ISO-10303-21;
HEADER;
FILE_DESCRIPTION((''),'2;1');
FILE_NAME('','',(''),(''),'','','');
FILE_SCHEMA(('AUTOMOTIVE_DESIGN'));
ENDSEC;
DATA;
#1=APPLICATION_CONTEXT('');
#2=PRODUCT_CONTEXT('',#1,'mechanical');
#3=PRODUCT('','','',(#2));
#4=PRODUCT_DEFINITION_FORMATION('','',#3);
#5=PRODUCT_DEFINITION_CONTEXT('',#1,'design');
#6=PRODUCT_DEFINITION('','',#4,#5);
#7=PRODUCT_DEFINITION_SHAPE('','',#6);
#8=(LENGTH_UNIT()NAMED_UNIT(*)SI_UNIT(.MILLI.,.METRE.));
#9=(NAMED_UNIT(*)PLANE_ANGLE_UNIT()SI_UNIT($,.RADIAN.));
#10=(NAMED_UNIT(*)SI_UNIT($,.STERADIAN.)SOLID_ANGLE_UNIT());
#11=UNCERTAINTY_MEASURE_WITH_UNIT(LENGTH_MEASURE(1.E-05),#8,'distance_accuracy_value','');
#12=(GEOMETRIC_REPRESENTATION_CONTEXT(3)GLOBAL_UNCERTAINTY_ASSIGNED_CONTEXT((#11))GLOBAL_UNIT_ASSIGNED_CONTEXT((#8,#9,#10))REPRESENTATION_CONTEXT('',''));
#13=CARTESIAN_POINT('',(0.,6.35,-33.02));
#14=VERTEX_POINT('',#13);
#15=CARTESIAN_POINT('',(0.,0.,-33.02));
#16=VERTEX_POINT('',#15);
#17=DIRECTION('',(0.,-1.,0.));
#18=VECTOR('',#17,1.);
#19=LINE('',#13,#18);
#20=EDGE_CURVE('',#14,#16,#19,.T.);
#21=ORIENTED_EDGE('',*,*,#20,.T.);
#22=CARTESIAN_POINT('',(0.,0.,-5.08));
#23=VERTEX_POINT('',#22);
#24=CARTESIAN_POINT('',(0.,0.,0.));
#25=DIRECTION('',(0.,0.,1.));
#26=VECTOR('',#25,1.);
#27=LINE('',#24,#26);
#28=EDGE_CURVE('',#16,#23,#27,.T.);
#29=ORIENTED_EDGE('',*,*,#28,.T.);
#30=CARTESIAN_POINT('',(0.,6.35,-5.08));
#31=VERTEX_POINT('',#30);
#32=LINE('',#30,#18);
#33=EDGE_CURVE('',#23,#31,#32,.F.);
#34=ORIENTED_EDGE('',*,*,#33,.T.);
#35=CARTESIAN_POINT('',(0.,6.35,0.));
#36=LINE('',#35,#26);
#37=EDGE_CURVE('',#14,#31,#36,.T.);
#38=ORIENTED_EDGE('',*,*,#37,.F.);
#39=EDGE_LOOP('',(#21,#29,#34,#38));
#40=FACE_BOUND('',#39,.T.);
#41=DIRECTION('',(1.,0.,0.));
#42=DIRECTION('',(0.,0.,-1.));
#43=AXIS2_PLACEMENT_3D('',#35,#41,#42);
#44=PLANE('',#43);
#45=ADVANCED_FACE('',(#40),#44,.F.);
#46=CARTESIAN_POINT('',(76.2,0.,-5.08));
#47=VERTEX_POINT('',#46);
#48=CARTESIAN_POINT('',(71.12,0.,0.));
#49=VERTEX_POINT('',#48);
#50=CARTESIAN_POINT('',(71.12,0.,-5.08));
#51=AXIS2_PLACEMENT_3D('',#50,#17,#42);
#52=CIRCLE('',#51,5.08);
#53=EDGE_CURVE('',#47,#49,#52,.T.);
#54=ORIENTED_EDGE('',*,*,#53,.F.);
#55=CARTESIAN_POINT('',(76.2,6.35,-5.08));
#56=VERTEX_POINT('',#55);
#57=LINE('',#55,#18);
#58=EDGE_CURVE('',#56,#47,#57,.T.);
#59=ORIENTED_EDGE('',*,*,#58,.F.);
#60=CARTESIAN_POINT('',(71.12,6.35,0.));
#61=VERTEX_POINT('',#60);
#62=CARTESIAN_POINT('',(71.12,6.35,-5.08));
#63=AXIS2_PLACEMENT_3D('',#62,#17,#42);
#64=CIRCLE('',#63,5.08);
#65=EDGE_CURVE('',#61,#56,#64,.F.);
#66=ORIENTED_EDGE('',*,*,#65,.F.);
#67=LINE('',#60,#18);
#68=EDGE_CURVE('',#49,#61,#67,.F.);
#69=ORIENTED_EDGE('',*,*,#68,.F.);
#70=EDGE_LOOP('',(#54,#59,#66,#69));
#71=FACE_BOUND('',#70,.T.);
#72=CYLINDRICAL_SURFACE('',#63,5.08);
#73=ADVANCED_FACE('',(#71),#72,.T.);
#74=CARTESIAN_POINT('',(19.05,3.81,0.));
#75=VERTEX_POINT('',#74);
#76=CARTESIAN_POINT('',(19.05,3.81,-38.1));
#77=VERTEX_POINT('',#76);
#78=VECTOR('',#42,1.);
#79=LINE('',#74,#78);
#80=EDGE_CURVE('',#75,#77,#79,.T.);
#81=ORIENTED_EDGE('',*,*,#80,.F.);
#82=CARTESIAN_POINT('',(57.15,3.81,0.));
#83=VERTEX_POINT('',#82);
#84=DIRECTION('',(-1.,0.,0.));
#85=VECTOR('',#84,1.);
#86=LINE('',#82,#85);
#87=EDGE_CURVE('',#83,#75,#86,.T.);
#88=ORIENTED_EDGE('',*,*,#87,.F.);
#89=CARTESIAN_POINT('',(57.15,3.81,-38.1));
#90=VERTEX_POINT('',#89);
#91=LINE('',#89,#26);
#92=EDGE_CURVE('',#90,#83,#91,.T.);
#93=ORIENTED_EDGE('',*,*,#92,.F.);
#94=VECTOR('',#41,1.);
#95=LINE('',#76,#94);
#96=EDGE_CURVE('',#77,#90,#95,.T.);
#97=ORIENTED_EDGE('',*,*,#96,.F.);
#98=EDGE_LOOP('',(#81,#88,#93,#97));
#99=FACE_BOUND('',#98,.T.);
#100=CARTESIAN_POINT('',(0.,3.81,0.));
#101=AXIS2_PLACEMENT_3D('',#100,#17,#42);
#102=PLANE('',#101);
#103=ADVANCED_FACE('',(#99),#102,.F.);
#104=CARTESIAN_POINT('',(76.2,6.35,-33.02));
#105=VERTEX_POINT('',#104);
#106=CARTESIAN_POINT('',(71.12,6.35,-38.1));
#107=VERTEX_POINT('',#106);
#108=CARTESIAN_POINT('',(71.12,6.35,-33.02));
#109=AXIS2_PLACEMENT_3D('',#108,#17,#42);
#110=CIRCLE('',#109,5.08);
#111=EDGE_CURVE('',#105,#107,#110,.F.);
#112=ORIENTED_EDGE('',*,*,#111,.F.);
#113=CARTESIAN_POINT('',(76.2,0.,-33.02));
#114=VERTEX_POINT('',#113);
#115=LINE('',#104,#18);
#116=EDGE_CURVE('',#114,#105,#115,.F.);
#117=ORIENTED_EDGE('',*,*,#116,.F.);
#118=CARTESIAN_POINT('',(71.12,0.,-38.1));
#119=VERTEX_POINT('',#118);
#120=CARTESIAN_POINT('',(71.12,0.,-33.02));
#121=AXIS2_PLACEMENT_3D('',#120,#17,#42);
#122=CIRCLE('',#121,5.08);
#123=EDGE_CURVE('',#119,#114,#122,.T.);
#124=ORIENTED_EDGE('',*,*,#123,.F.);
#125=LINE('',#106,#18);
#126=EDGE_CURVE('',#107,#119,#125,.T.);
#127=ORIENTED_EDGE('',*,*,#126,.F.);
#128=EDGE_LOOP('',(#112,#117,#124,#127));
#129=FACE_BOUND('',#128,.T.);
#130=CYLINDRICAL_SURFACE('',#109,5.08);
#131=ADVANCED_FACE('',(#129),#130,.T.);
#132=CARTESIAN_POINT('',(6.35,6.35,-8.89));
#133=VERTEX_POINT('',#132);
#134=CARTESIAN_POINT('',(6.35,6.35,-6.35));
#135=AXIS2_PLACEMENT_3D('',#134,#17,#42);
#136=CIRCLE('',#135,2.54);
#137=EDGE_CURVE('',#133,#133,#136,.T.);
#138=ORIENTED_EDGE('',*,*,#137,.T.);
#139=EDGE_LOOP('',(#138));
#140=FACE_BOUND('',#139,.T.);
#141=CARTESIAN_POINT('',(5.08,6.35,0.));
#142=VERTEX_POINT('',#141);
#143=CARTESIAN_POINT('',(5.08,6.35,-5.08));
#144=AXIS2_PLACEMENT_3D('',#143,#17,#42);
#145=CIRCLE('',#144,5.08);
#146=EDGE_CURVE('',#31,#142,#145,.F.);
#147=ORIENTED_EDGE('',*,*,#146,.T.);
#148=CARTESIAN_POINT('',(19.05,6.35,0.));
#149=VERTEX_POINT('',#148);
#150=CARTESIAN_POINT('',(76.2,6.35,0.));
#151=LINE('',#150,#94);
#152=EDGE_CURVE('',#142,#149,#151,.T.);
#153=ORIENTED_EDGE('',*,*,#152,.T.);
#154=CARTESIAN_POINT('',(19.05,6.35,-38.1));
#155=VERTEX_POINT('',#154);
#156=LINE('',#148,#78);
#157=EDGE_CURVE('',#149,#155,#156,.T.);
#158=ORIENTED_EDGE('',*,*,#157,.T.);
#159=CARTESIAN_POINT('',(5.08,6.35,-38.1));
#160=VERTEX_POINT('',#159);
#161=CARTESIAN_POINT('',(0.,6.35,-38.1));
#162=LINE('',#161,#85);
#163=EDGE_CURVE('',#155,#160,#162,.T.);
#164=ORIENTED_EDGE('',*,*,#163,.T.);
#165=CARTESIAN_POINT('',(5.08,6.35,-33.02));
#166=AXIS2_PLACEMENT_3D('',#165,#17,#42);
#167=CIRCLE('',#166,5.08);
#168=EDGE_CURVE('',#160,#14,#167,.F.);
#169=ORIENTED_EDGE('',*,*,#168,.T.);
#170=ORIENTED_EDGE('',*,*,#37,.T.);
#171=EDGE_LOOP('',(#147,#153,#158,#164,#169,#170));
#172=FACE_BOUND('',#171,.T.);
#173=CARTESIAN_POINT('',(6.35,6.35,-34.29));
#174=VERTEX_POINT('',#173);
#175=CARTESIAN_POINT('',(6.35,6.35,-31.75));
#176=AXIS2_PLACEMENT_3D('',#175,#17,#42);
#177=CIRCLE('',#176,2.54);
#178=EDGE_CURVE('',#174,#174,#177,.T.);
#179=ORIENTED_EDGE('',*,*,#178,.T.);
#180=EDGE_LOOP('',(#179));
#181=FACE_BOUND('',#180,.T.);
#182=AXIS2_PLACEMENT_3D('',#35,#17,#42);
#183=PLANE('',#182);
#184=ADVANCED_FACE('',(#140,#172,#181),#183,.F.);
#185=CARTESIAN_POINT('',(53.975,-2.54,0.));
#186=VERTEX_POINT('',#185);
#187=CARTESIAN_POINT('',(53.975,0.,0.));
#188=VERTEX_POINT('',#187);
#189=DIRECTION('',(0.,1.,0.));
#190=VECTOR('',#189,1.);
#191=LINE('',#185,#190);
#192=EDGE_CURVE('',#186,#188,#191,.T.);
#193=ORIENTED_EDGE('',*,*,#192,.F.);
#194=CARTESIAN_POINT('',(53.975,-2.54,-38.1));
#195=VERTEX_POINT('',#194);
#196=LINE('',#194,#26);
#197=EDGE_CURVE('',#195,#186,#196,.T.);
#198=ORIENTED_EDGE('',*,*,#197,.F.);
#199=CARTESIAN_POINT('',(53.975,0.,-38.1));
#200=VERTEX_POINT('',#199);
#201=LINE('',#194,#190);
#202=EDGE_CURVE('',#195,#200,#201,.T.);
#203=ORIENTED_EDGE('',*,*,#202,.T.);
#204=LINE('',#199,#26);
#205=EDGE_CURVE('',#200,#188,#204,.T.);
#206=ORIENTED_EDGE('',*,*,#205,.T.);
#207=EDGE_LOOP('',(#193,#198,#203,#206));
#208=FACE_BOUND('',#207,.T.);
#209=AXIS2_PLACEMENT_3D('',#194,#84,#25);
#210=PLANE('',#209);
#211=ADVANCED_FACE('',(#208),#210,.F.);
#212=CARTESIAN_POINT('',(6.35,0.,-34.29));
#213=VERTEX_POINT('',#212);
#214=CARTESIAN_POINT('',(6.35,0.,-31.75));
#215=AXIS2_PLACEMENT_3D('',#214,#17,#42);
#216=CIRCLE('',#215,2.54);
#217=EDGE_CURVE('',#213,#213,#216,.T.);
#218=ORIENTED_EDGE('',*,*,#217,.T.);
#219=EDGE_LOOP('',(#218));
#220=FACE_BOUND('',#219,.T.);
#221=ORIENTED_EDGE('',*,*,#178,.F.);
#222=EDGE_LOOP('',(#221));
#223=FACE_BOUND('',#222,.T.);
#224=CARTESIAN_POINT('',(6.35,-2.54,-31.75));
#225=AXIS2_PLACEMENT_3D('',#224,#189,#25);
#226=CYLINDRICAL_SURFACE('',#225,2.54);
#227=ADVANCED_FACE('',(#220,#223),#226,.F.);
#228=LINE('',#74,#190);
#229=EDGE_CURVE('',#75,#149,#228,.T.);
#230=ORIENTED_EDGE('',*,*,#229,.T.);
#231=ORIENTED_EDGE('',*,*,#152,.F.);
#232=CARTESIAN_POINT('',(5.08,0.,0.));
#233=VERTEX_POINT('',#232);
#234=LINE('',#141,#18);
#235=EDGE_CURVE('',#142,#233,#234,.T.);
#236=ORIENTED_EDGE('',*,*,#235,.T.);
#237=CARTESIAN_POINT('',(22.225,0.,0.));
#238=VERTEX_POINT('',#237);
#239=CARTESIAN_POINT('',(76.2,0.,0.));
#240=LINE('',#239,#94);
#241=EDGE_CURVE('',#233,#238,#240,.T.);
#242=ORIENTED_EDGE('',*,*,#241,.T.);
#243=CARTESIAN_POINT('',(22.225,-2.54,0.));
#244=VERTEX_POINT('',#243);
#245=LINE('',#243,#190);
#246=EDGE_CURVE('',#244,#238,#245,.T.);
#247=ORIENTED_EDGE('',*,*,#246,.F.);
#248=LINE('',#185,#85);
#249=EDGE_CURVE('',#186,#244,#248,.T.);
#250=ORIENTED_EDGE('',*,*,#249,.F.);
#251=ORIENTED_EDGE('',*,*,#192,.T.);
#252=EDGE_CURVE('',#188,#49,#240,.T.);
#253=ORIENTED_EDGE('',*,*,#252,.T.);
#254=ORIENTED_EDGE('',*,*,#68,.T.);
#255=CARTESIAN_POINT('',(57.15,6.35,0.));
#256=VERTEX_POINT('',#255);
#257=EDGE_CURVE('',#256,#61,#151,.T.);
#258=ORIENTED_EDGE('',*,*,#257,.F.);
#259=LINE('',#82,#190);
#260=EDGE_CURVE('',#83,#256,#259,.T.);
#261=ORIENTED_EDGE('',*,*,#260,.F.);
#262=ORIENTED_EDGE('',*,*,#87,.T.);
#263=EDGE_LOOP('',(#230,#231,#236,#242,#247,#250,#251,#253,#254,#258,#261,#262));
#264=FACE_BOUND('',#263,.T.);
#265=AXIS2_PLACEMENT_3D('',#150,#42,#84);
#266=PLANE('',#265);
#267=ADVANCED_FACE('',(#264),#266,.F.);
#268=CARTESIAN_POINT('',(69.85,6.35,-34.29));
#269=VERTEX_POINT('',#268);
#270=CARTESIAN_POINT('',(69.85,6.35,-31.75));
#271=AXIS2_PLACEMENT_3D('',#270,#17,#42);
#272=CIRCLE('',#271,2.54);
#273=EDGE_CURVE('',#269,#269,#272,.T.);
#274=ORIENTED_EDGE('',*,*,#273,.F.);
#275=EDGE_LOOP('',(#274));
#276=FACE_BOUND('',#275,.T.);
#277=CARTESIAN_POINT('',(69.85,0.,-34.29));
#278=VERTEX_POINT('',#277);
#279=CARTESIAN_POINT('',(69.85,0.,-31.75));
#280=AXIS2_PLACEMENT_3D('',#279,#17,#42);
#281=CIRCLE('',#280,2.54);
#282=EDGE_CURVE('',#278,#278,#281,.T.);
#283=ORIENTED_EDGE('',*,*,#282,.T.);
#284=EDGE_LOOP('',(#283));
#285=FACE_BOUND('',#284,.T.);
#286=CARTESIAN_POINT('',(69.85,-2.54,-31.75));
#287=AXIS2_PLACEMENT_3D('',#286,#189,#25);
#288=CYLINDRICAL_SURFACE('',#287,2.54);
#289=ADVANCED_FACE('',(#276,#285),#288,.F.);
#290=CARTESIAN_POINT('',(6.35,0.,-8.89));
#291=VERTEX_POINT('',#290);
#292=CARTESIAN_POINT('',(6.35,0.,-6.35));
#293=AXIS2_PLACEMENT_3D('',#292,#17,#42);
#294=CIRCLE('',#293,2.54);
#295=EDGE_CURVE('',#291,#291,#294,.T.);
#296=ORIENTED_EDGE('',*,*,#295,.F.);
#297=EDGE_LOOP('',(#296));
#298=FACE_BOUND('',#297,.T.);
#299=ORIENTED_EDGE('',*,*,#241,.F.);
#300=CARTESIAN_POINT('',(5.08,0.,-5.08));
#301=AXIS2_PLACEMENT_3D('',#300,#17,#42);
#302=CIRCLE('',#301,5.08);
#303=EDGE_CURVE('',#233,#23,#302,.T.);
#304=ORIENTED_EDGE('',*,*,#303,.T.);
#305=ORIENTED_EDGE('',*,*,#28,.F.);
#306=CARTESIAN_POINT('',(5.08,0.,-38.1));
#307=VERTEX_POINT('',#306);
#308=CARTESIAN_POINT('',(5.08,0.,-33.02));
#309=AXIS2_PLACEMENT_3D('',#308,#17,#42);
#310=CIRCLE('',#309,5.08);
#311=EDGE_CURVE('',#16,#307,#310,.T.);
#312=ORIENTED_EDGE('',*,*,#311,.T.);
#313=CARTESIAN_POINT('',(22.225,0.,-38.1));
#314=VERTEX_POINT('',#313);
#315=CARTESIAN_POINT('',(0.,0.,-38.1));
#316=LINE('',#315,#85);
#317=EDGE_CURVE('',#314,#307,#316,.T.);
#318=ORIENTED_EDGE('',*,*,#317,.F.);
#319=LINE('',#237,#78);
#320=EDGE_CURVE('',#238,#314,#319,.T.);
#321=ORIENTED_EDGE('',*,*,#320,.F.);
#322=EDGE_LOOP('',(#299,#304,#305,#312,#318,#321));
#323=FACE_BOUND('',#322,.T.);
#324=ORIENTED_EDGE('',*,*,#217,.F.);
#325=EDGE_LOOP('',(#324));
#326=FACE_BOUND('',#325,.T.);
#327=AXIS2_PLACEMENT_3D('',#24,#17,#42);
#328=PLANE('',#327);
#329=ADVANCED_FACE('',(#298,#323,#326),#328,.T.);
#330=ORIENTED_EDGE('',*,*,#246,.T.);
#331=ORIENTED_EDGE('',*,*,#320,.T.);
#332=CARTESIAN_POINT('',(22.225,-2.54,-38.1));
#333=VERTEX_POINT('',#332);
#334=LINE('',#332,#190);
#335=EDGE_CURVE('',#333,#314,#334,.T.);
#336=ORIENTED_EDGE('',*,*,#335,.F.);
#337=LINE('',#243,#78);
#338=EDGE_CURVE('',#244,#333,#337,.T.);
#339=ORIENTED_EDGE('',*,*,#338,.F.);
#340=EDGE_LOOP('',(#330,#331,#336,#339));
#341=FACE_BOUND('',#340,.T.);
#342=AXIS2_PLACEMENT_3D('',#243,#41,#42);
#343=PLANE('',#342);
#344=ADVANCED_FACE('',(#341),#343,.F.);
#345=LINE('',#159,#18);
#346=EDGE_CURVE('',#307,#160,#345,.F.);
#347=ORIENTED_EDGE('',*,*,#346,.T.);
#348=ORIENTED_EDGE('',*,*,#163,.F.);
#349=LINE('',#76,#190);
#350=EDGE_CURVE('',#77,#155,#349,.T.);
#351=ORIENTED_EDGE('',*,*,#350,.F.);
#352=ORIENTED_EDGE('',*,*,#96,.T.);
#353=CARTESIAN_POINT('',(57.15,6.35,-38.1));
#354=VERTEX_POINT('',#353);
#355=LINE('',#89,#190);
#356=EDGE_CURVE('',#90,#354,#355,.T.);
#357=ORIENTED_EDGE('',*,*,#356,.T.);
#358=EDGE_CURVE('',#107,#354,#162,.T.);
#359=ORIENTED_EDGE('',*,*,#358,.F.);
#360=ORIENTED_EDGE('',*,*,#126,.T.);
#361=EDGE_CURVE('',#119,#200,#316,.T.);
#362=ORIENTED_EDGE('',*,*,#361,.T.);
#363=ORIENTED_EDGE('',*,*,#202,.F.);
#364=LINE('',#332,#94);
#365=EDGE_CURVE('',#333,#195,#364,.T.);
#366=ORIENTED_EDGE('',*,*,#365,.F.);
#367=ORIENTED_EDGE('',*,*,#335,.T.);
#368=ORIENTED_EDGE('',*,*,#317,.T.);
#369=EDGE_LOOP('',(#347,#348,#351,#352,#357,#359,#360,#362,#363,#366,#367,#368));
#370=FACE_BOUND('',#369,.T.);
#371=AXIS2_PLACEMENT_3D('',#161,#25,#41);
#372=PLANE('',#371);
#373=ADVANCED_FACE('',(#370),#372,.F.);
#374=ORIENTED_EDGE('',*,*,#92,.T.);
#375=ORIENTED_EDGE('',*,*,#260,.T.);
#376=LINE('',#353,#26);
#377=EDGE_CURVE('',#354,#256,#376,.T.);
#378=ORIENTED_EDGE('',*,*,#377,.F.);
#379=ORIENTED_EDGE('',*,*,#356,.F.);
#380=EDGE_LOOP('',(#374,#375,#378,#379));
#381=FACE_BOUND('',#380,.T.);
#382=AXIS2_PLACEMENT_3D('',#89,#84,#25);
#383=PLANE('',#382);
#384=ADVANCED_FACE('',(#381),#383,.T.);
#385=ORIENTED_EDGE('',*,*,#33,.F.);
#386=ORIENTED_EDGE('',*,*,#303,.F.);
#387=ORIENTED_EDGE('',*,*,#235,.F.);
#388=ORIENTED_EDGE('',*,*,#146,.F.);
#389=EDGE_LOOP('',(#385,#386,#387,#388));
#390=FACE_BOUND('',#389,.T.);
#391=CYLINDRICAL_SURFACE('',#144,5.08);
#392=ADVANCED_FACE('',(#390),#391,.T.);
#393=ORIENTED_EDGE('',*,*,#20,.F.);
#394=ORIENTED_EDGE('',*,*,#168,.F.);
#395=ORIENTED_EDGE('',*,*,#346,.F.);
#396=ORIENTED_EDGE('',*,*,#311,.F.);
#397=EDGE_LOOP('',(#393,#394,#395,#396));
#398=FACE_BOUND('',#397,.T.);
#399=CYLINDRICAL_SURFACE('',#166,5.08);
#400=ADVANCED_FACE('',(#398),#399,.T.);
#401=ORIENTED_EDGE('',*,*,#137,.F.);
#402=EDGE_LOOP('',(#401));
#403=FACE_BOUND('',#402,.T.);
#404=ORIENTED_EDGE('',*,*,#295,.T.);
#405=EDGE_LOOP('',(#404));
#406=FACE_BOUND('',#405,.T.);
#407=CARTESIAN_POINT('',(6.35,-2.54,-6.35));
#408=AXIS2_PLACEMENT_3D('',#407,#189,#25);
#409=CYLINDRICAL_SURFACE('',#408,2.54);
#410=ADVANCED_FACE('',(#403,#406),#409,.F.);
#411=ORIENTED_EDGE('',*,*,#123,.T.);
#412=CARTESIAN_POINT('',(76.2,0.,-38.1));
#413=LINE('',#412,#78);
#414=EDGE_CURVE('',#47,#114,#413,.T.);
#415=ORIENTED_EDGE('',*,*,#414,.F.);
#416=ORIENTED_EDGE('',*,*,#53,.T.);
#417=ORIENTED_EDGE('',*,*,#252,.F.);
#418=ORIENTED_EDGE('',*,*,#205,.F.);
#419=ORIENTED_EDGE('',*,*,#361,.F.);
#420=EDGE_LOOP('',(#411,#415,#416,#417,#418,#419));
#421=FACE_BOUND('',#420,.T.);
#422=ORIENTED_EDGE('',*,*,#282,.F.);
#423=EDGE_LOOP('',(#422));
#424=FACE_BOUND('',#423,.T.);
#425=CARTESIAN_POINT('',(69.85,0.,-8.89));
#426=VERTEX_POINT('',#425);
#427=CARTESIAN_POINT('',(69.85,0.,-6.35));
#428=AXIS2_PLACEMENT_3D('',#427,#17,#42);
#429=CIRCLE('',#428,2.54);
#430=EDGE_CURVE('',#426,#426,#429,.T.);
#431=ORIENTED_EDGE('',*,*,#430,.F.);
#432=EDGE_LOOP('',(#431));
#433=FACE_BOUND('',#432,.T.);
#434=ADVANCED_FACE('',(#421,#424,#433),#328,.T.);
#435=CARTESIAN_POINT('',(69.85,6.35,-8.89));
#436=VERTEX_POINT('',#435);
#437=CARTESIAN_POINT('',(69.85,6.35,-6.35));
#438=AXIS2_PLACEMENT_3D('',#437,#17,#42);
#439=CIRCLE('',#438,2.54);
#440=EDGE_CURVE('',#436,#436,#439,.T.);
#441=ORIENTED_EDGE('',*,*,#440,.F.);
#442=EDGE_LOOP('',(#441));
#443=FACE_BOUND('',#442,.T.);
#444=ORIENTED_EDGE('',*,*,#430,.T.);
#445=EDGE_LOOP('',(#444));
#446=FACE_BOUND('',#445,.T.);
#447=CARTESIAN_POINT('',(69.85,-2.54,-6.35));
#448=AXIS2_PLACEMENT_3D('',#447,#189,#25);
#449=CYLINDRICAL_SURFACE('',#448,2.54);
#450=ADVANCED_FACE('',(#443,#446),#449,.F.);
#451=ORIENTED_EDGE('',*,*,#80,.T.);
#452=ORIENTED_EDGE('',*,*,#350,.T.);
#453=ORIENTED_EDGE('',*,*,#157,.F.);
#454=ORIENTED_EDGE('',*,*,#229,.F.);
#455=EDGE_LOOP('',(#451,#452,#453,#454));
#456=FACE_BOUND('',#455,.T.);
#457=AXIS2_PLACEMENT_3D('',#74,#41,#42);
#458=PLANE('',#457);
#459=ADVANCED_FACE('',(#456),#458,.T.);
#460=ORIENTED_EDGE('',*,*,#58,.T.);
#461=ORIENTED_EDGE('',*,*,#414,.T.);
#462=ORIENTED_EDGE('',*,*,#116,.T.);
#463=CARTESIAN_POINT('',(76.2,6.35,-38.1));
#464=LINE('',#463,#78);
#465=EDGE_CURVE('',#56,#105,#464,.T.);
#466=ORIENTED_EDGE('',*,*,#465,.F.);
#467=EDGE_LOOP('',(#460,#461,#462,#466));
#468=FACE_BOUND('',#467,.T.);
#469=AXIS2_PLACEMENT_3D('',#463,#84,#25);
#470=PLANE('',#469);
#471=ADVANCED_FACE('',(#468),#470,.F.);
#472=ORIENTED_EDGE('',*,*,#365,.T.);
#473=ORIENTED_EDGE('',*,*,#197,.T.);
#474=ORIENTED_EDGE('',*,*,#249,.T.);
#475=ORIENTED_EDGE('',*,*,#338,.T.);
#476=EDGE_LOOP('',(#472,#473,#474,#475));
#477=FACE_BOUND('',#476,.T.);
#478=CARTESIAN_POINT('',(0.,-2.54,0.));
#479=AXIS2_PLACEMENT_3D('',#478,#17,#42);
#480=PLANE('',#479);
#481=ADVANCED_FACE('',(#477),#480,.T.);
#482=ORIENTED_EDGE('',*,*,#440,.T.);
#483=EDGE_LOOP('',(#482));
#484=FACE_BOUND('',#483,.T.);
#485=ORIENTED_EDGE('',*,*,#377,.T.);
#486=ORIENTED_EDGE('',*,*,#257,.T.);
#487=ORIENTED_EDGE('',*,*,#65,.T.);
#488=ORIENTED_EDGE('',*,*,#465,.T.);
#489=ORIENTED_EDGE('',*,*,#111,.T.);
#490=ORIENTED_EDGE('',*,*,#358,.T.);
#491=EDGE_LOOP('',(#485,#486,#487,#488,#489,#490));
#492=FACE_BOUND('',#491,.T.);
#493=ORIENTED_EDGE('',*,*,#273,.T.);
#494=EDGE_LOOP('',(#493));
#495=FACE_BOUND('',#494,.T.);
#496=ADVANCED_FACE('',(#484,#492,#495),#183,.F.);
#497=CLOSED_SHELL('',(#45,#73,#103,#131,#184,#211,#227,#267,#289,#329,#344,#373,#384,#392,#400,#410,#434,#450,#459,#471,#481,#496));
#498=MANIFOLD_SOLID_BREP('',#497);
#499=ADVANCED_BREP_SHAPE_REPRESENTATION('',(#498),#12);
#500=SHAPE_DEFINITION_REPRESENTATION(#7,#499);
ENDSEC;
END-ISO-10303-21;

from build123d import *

# Parameters (mm, degrees)
SKETCH1_W               = 76.2
SKETCH1_H               = 38.1
BOSS_EXTRUDE3_DEPTH     = 6.35
SKETCH3_W               = 38.1
SKETCH3_H               = 38.1
CUT_EXTRUDE1_DEPTH      = 2.54
SKETCH4_W               = 31.75
SKETCH4_H               = 38.1
BOSS_EXTRUDE4_DEPTH     = 2.54
SKETCH5_R               = 2.54
CUT_EXTRUDE5_DEPTH      = 6.35
CUT_EXTRUDE5_DEPTH_BACK = 6.35
FILLET1_R               = 5.08


with BuildPart() as part:
    # Sketch1 → Boss-Extrude3 (new body)
    with BuildSketch(Plane(origin=(0, 0, 0), x_dir=(1, 0, 0), z_dir=(0, 1, 0))):
        with Locations((38.1, 19.05)):
            Rectangle(SKETCH1_W, SKETCH1_H)
    extrude(amount=BOSS_EXTRUDE3_DEPTH)

    # Sketch3 → Cut-Extrude1 (cut)
    with BuildSketch(Plane(origin=(0, 6.35, 0), x_dir=(1, 0, 0), z_dir=(0, 1, 0))):
        with Locations((38.1, 19.05)):
            Rectangle(SKETCH3_W, SKETCH3_H)
    extrude(amount=-CUT_EXTRUDE1_DEPTH, mode=Mode.SUBTRACT)

    # Sketch4 → Boss-Extrude4 (add)
    with BuildSketch(Plane.XZ):
        with Locations((38.1, -19.05)):
            Rectangle(SKETCH4_W, SKETCH4_H)
    extrude(amount=BOSS_EXTRUDE4_DEPTH)

    # Sketch5 → Cut-Extrude5 (cut, two sides)
    with BuildSketch(Plane(origin=(0, 3.81, 0), x_dir=(1, 0, 0), z_dir=(0, 1, 0))) as cut_extrude5_sk:
        with Locations((6.35, 31.75)):
            Circle(SKETCH5_R)
        with Locations((6.35, 6.35)):
            Circle(SKETCH5_R)
        with Locations((69.85, 31.75)):
            Circle(SKETCH5_R)
        with Locations((69.85, 6.35)):
            Circle(SKETCH5_R)
    extrude(amount=CUT_EXTRUDE5_DEPTH, mode=Mode.SUBTRACT)
    extrude(cut_extrude5_sk.sketch, amount=-CUT_EXTRUDE5_DEPTH_BACK, mode=Mode.SUBTRACT)

    # Fillet1
    fillet1_edges = [part.edges().sort_by_distance(p)[0] for p in [
        (0, 3.175, -38.1),
        (0, 3.175, 0),
        (76.2, 3.175, 0),
        (76.2, 3.175, -38.1),
    ]]
    fillet(fillet1_edges, radius=FILLET1_R)


solid = part.part
